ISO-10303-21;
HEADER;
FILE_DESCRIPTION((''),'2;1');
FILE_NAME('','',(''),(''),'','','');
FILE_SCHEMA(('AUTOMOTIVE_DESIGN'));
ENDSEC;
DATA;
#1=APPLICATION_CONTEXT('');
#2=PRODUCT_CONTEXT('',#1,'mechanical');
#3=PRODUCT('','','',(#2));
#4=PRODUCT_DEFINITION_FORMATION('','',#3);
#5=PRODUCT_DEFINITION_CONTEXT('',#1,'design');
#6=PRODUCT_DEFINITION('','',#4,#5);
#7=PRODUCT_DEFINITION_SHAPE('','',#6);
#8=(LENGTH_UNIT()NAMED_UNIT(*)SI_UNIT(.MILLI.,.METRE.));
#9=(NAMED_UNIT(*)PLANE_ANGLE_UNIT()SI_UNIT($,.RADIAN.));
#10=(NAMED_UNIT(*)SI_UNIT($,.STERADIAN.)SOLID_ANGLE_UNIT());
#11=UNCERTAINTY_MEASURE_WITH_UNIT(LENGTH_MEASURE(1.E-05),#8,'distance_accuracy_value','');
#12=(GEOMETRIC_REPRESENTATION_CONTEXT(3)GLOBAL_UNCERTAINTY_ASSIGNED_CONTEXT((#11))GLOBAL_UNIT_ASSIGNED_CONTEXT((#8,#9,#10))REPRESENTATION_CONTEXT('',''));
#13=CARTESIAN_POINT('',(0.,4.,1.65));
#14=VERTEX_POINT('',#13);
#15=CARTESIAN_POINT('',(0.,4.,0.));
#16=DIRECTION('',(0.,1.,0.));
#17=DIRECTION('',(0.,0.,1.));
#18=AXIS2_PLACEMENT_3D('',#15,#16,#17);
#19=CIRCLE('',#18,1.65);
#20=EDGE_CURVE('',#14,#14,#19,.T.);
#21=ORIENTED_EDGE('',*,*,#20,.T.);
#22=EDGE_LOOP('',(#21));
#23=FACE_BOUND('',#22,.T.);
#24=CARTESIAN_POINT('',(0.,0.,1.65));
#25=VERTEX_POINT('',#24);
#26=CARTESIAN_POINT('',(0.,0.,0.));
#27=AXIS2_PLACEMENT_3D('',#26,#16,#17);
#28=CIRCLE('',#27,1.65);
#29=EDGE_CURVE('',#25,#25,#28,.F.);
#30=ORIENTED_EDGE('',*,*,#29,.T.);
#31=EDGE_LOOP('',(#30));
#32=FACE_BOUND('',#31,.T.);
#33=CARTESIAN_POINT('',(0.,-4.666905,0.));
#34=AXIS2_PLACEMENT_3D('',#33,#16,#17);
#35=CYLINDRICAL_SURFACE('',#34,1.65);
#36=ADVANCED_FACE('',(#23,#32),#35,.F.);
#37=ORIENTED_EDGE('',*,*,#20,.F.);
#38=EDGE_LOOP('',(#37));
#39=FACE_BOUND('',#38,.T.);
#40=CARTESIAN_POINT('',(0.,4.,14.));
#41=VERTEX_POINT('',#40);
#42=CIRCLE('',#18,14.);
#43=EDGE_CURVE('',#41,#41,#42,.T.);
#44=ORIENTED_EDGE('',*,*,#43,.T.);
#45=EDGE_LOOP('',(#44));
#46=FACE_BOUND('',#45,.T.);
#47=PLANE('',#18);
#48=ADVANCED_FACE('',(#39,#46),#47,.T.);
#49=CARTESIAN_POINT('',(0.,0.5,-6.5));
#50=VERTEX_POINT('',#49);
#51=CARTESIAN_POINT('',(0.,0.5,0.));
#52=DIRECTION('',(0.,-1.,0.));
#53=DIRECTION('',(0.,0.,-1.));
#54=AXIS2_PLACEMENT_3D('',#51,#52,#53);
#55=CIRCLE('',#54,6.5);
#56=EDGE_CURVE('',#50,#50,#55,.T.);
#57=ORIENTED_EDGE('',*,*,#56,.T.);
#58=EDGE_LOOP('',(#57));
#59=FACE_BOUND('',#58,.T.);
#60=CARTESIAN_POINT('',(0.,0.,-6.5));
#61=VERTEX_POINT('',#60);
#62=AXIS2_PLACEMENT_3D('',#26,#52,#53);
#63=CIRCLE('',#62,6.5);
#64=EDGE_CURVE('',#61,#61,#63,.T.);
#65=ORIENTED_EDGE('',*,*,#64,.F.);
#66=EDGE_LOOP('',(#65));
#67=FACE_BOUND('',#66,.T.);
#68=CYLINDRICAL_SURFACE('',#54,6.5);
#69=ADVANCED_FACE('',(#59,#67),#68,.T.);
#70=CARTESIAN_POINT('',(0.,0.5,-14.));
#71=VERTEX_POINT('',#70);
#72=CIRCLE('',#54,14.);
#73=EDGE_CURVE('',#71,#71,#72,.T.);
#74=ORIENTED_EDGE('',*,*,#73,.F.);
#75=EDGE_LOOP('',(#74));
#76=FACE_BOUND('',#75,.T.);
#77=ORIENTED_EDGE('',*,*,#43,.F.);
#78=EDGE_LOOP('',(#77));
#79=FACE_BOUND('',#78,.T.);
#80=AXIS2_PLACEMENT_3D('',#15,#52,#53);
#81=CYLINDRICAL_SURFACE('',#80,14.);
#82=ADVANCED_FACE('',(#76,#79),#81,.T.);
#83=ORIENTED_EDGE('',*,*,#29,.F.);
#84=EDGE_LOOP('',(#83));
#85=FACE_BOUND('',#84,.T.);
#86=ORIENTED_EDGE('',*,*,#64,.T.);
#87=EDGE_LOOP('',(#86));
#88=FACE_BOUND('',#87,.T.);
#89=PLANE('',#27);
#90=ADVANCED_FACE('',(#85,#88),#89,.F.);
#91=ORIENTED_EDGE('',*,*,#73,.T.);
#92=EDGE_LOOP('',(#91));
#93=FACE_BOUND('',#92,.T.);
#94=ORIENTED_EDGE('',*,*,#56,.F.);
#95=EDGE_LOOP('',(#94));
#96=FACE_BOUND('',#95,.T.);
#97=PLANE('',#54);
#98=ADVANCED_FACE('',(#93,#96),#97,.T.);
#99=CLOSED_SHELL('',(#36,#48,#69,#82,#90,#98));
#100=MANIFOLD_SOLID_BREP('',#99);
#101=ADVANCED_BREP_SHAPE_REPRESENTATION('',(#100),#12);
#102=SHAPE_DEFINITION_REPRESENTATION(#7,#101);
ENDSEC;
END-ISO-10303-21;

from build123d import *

# Parameters (mm, degrees)
SKETCH1_R           = 14
BOSS_EXTRUDE1_DEPTH = 4
SKETCH2_R           = 14
SKETCH2_R_2         = 6.5
CUT_EXTRUDE1_DEPTH  = 0.5
SKETCH3_R           = 1.65
CUT_EXTRUDE2_DEPTH  = 4


with BuildPart() as part:
    # Sketch1 → Boss-Extrude1 (new body)
    with BuildSketch(Plane(origin=(0, 0, 0), x_dir=(1, 0, 0), z_dir=(0, 1, 0))):
        Circle(SKETCH1_R)
    extrude(amount=BOSS_EXTRUDE1_DEPTH)

    # Sketch2 → Cut-Extrude1 (cut)
    with BuildSketch(Plane.XZ):
        Circle(SKETCH2_R)
        Circle(SKETCH2_R_2, mode=Mode.SUBTRACT)
    extrude(amount=-CUT_EXTRUDE1_DEPTH, mode=Mode.SUBTRACT)

    # Sketch3 → Cut-Extrude2 (cut)
    with BuildSketch(Plane(origin=(0, 4, 0), x_dir=(1, 0, 0), z_dir=(0, 1, 0))):
        Circle(SKETCH3_R)
    extrude(amount=-CUT_EXTRUDE2_DEPTH, mode=Mode.SUBTRACT)


solid = part.part
